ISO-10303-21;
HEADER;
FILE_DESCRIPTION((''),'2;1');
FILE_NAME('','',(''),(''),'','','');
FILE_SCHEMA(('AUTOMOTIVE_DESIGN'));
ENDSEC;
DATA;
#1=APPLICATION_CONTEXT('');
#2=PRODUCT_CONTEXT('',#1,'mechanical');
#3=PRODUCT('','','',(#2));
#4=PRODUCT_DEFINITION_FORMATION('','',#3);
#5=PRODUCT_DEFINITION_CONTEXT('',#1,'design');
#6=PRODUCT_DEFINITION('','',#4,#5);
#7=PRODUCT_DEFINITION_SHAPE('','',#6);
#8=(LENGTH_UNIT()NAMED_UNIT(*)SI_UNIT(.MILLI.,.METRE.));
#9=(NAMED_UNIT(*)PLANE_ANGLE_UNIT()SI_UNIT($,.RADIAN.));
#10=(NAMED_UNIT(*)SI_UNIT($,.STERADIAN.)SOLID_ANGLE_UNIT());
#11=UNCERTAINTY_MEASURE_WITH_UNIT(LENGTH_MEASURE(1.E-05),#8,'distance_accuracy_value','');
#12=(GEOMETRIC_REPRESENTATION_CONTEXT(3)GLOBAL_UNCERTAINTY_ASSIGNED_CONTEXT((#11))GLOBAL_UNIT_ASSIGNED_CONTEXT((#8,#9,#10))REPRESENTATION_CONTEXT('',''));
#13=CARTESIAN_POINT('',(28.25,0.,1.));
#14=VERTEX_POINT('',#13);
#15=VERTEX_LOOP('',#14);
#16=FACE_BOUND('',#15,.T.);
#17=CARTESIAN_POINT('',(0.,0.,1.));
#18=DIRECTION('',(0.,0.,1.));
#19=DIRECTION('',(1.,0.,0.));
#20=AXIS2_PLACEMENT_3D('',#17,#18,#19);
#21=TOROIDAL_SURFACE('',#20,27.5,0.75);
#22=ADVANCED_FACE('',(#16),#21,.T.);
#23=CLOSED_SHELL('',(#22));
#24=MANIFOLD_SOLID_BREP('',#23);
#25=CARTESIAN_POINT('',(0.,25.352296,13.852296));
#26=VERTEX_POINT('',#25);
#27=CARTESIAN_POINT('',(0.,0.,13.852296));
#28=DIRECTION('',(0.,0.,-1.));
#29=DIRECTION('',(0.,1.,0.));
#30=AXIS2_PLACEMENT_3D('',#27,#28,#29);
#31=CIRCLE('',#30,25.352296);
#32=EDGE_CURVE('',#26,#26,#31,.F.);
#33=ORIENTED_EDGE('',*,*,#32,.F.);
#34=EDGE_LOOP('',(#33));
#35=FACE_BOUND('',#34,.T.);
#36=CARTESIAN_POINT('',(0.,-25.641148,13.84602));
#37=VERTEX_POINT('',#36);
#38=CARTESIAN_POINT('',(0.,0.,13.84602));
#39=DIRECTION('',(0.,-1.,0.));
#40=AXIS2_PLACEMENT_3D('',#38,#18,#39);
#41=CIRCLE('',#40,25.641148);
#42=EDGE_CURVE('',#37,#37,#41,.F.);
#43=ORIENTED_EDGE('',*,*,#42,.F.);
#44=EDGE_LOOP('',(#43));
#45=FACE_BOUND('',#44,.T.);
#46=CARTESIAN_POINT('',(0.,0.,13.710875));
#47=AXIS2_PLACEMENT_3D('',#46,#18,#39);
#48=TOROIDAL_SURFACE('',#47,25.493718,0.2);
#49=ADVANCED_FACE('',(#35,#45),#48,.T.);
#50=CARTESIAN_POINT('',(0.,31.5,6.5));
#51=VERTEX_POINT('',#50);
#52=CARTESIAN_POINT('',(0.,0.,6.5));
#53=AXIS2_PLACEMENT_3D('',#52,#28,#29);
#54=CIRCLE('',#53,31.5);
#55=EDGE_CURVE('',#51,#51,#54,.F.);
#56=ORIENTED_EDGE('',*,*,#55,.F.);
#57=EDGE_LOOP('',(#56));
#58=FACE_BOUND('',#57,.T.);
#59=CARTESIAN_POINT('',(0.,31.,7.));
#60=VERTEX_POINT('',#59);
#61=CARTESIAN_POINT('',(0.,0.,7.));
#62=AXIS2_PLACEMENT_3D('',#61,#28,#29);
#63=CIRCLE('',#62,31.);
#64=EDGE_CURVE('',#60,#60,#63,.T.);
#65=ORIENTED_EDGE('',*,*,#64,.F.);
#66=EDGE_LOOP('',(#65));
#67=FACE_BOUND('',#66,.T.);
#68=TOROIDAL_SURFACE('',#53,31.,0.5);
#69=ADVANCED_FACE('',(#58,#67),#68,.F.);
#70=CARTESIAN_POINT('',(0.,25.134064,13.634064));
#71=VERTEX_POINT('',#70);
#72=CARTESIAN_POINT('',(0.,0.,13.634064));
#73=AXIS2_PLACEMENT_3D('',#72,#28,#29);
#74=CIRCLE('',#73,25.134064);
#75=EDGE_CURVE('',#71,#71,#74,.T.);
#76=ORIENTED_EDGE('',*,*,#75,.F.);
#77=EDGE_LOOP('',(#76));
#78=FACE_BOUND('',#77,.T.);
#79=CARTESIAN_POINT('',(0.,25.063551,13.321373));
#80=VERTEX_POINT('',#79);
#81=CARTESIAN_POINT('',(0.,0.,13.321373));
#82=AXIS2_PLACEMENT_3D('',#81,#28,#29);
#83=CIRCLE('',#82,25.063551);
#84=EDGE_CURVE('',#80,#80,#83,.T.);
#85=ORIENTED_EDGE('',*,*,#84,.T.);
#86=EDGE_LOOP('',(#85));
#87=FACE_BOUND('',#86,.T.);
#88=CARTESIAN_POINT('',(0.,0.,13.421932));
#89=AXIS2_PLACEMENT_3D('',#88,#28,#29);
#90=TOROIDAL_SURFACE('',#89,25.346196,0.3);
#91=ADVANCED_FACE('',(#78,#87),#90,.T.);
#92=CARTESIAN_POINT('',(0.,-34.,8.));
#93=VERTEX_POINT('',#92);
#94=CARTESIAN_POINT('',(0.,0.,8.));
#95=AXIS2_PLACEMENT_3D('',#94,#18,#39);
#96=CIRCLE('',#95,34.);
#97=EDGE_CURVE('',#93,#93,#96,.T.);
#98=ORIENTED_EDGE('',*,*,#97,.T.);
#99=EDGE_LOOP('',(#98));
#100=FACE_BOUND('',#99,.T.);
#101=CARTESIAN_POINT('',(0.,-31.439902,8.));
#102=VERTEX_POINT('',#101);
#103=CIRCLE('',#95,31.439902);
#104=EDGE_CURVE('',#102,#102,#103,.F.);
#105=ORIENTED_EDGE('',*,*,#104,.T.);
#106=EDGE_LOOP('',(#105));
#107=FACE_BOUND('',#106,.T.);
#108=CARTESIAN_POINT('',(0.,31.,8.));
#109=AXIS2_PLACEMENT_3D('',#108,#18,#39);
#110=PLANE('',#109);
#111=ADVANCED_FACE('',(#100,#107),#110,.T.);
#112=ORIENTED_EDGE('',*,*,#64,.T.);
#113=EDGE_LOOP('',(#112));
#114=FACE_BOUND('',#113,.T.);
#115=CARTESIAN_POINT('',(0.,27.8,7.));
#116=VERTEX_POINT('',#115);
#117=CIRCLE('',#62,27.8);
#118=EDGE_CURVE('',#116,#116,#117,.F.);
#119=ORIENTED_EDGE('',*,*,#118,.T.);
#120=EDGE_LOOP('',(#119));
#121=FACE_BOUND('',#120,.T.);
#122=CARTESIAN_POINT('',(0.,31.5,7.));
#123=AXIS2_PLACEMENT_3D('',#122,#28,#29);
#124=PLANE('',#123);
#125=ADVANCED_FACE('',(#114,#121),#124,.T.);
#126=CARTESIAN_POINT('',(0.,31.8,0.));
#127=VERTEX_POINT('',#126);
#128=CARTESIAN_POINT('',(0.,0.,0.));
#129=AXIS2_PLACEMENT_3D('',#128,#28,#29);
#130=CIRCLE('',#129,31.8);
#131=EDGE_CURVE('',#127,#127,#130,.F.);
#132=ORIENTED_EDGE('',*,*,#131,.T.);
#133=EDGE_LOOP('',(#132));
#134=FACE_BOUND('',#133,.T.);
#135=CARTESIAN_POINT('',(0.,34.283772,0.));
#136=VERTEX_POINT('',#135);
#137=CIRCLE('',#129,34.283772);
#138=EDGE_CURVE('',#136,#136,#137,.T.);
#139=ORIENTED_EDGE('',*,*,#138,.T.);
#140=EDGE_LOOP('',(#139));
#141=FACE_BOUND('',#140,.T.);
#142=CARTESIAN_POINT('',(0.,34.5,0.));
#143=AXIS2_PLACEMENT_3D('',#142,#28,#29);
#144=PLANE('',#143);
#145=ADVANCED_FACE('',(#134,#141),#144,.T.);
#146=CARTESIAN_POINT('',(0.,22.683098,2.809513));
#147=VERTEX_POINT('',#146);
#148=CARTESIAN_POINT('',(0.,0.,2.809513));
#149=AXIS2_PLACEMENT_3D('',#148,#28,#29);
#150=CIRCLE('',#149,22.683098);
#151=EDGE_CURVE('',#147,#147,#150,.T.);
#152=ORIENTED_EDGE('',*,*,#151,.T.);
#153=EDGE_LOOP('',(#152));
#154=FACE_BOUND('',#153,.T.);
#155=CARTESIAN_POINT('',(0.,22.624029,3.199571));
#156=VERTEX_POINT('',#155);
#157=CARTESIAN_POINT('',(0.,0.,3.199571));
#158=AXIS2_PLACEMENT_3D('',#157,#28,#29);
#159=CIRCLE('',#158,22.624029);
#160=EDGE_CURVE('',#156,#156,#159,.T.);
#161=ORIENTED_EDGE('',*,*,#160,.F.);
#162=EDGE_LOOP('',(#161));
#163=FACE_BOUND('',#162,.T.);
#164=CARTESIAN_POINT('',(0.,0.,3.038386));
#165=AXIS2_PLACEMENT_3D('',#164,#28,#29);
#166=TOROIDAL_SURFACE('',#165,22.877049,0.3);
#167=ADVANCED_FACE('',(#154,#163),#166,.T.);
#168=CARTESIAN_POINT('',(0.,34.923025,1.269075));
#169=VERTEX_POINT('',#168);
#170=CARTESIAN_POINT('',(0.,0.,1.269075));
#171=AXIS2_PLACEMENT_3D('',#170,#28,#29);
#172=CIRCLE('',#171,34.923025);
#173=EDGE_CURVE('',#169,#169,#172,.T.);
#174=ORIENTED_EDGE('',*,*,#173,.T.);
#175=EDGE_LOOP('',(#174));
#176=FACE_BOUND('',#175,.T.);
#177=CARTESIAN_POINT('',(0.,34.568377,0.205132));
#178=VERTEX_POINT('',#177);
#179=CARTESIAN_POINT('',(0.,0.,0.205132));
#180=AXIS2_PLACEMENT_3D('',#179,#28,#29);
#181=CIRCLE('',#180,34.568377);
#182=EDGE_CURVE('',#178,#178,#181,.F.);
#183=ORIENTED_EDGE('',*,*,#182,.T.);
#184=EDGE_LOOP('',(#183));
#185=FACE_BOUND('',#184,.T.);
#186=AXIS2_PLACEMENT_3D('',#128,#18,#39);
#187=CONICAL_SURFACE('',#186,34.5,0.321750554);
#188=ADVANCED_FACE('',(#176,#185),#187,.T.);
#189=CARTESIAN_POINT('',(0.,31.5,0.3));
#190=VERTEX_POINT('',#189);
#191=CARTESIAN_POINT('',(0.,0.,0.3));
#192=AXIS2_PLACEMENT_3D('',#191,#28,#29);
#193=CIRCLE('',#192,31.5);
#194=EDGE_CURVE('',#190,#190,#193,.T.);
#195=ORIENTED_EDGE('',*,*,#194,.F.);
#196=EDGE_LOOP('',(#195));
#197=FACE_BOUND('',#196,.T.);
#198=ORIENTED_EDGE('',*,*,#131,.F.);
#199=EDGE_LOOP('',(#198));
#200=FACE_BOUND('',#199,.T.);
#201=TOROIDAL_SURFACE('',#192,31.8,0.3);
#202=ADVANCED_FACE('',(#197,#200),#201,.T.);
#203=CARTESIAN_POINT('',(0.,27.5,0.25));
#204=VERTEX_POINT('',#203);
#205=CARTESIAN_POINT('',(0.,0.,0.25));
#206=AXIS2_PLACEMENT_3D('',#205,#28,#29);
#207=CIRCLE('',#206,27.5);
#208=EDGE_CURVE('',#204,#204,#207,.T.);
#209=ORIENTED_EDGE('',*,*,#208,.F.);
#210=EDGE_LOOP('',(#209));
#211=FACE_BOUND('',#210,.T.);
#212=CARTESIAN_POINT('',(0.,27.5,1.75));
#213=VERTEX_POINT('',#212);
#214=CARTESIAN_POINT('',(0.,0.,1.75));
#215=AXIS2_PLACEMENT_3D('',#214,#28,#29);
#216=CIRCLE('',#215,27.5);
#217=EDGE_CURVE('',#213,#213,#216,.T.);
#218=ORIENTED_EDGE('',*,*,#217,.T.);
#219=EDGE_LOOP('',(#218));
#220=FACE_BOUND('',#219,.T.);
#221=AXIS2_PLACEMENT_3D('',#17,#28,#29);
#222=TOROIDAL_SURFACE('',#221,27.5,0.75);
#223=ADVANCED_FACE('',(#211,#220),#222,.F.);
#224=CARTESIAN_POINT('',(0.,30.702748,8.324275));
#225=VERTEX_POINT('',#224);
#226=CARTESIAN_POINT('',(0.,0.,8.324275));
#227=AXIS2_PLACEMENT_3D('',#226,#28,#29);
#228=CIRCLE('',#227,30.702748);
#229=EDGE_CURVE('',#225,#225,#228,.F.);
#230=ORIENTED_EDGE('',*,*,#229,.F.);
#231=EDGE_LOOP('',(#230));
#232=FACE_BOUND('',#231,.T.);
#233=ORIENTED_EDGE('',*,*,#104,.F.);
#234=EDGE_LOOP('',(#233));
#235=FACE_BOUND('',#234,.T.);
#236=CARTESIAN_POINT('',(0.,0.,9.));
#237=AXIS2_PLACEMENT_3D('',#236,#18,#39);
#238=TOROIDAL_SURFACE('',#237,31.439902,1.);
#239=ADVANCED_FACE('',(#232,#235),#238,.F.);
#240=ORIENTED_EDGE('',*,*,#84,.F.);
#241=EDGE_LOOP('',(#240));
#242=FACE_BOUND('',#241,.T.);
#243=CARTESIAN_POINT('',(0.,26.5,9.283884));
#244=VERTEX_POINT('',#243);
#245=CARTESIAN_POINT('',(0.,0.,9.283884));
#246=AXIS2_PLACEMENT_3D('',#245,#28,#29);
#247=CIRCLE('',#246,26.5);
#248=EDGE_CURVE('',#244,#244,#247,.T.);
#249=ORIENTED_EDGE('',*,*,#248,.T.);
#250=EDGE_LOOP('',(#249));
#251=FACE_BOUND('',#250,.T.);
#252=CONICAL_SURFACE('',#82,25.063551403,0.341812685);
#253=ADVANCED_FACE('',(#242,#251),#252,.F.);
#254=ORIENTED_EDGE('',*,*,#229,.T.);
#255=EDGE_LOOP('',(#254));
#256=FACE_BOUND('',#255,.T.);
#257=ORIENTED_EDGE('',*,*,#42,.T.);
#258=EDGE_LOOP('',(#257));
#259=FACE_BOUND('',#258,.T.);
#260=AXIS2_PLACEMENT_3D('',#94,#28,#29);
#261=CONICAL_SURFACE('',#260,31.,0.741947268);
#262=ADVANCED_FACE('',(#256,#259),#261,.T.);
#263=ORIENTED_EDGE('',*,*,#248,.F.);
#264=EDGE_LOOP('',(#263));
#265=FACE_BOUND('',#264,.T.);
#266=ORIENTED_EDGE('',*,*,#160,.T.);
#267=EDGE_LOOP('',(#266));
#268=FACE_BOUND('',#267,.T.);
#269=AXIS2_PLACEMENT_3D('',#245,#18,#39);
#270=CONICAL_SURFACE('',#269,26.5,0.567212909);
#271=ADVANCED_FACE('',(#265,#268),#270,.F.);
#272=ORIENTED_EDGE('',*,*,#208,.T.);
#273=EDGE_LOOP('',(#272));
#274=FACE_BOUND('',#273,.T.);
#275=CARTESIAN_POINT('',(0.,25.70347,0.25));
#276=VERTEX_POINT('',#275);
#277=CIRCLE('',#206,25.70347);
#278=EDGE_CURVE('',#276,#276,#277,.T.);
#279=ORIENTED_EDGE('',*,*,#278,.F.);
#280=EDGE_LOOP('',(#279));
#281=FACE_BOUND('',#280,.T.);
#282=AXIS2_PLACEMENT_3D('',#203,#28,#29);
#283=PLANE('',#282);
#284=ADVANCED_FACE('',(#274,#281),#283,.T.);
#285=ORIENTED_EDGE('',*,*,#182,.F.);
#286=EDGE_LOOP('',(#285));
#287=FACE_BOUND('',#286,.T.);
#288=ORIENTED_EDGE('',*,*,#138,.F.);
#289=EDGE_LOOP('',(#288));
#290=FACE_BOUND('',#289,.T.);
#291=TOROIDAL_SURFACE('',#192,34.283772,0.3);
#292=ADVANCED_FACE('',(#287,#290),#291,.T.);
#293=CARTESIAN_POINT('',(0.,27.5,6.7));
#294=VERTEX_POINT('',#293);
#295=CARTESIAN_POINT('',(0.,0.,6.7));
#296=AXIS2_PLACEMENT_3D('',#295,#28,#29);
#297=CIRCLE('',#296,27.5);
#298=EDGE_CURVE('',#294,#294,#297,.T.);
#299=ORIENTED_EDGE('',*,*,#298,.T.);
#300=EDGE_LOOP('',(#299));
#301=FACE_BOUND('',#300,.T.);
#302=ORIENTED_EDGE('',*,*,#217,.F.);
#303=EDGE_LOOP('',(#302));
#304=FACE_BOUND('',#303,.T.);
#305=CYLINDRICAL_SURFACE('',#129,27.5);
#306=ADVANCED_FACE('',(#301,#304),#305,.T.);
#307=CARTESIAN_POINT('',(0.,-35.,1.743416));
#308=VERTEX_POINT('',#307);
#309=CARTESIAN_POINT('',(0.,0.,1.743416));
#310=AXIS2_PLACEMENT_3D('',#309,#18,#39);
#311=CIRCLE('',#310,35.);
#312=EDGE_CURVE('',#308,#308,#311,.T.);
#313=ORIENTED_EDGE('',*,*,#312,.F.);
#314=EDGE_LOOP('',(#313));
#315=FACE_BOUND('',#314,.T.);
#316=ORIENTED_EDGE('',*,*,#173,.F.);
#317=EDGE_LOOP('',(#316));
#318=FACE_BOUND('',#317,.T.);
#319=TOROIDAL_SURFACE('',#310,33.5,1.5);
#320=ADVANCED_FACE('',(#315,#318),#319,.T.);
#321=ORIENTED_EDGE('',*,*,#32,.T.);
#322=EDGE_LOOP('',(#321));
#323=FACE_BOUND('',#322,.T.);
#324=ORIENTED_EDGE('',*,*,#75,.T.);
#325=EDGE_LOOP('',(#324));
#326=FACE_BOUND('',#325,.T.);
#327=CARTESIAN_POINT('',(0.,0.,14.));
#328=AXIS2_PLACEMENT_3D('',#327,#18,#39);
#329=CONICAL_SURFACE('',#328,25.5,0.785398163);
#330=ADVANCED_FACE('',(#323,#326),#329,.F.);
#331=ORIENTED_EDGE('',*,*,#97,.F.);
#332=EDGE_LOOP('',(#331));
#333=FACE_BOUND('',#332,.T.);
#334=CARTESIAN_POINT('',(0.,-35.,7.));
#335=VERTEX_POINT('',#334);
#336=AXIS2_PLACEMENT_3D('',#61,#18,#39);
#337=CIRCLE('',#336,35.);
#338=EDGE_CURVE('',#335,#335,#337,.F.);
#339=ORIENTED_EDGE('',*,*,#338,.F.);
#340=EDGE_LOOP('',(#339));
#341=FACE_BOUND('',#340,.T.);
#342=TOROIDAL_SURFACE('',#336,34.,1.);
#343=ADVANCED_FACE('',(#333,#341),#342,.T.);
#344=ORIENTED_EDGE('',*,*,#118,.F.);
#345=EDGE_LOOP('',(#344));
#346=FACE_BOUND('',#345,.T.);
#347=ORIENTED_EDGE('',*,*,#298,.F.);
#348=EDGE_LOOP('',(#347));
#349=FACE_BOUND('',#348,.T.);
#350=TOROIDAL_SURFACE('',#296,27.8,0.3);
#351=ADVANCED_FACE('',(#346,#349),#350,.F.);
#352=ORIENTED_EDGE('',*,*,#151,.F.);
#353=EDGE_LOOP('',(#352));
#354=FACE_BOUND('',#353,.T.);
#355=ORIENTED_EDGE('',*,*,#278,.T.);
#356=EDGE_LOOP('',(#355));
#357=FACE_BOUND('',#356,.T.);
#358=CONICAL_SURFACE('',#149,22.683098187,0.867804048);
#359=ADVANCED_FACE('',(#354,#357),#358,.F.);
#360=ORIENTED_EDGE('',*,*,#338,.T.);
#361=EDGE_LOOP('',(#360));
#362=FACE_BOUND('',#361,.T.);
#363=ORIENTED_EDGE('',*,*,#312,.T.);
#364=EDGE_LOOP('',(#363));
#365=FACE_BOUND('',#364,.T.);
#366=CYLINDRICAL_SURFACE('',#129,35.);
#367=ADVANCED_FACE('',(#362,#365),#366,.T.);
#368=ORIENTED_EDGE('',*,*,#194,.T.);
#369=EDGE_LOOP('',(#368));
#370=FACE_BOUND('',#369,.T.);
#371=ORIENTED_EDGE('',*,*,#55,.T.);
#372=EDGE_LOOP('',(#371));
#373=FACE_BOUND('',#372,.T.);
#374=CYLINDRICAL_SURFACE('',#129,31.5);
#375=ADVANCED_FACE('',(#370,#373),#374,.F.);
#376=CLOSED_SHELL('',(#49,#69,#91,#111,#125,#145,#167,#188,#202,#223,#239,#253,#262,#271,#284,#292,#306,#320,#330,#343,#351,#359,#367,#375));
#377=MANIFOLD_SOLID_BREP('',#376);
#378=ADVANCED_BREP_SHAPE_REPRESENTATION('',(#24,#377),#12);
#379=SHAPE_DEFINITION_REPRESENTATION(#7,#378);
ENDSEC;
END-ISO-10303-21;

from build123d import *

# Parameters (mm, degrees)
FILLET_1_R = 1
FILLET_2_R = 0.2
FILLET_3_R = 1
FILLET_4_R = 0.3
FILLET_5_R = 1.5
FILLET_6_R = 0.3
FILLET_7_R = 0.5
FILLET_8_R = 0.3
SKETCH_5_R = 0.75


with BuildPart() as part:
    # Эскиз1 → Повернуть1 (revolve)
    with BuildSketch(Plane(origin=(0, 0, 0), x_dir=(0, 0, -1), z_dir=(1, 0, 0))):
        with BuildLine():
            Line((-13.634063952, 25.134063952), (-14, 25.5))
            Line((-14, 25.5), (-8, 31))
            Line((-8, 31), (-8, 35))
            Line((-8, 35), (-1.5, 35))
            Line((-1.5, 35), (0, 34.5))
            Line((0, 34.5), (0, 31.5))
            Line((0, 31.5), (-7, 31.5))
            Line((-7, 31.5), (-7, 27.5))
            Line((-7, 27.5), (-1.75, 27.5))
            ThreePointArc((-1.75, 27.5), (-1, 26.75), (-0.25, 27.5))
            Line((-0.25, 27.5), (-0.25, 25.703470277))
            Line((-0.25, 25.703470277), (-2.809513055, 22.683098187))
            ThreePointArc((-2.809513055, 22.683098187), (-2.993467268, 22.580431153), (-3.199571431, 22.624028701))
            Line((-3.199571431, 22.624028701), (-9.283884091, 26.5))
            Line((-9.283884091, 26.5), (-13.321373279, 25.063551403))
            ThreePointArc((-13.321373279, 25.063551403), (-13.487925558, 25.05354459), (-13.634063952, 25.134063952))
        make_face()
    revolve(axis=Axis((0, 0, 0), (0, 0, 1)))

    # Скругление1
    fillet_1_edges = [part.edges().sort_by_distance(p)[0] for p in [
        (0, -31, 8),
    ]]
    fillet(fillet_1_edges, radius=FILLET_1_R)

    # Скругление2
    fillet_2_edges = [part.edges().sort_by_distance(p)[0] for p in [
        (0, -25.5, 14),
    ]]
    fillet(fillet_2_edges, radius=FILLET_2_R)

    # Скругление3
    fillet_3_edges = [part.edges().sort_by_distance(p)[0] for p in [
        (0, -35, 8),
    ]]
    fillet(fillet_3_edges, radius=FILLET_3_R)

    # Скругление4
    fillet_4_edges = [part.edges().sort_by_distance(p)[0] for p in [
        (0, -34.5, 0),
    ]]
    fillet(fillet_4_edges, radius=FILLET_4_R)

    # Скругление5
    fillet_5_edges = [part.edges().sort_by_distance(p)[0] for p in [
        (0, -35, 1.5),
    ]]
    fillet(fillet_5_edges, radius=FILLET_5_R)

    # Скругление6
    fillet_6_edges = [part.edges().sort_by_distance(p)[0] for p in [
        (0, -31.5, 0),
    ]]
    fillet(fillet_6_edges, radius=FILLET_6_R)

    # Скругление7
    fillet_7_edges = [part.edges().sort_by_distance(p)[0] for p in [
        (0, -31.5, 7),
    ]]
    fillet(fillet_7_edges, radius=FILLET_7_R)

    # Скругление8
    fillet_8_edges = [part.edges().sort_by_distance(p)[0] for p in [
        (0, -27.5, 7),
    ]]
    fillet(fillet_8_edges, radius=FILLET_8_R)


with BuildPart() as body_2:
    # Эскиз5 → Повернуть2 (revolve)
    with BuildSketch(Plane(origin=(0, 0, 0), x_dir=(0, 0, -1), z_dir=(1, 0, 0)), mode=Mode.PRIVATE) as revolve_2_sk:
        with Locations((-1, 27.5)):
            Circle(SKETCH_5_R)
    revolve(revolve_2_sk.sketch.rotate(Axis((0, 0, 0), (0, 0, -1)), 180), axis=Axis((0, 0, 0), (0, 0, -1)))


solid = Compound([part.part, body_2.part])
